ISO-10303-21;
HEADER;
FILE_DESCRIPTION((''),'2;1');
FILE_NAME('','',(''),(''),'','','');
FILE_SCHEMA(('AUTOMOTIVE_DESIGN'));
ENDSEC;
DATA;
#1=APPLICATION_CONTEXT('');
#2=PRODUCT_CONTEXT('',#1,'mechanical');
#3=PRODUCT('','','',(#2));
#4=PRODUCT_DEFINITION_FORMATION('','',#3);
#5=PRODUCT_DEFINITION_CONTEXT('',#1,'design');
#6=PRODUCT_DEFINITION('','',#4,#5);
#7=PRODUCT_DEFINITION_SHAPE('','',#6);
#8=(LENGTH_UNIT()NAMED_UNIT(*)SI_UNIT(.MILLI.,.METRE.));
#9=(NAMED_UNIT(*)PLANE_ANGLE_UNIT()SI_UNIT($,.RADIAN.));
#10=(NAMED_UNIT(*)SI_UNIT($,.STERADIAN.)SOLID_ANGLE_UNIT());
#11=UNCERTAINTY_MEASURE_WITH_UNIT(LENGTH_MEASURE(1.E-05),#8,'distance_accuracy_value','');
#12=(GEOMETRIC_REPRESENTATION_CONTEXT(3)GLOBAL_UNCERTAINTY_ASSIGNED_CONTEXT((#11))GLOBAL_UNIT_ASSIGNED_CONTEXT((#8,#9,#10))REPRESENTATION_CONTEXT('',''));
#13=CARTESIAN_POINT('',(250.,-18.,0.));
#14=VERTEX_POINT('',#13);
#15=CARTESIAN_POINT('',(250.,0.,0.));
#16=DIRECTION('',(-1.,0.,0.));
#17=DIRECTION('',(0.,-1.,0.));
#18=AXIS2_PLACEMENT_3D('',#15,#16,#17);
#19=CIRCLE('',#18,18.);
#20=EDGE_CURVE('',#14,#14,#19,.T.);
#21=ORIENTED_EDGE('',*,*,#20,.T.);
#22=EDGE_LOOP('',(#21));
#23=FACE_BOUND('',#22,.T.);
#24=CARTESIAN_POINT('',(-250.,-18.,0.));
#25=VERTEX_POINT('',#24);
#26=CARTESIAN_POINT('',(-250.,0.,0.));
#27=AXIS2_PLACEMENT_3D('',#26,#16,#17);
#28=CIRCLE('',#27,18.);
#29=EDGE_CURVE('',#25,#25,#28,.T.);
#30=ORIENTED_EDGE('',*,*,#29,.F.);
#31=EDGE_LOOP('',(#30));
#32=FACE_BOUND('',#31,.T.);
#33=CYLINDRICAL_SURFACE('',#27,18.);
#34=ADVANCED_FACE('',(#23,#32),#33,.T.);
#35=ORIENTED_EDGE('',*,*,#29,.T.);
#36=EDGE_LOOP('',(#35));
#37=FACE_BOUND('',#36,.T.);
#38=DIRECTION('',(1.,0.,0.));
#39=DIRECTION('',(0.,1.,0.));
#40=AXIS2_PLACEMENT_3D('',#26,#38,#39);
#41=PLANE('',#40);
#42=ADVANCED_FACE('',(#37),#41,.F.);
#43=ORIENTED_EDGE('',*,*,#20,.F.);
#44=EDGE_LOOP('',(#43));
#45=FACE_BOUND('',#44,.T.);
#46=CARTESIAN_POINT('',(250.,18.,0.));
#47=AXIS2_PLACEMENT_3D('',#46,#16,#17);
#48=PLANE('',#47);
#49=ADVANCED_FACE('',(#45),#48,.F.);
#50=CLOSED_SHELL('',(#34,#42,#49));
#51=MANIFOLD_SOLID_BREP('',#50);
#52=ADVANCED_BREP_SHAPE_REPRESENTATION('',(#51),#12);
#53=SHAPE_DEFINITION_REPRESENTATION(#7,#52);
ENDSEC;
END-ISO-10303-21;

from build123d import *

# Parameters (mm, degrees)
SKETCH1_W = 500
SKETCH1_H = 18


with BuildPart() as part:
    # Sketch1 → Revolve1 (revolve)
    with BuildSketch(Plane.XY, mode=Mode.PRIVATE) as revolve1_sk:
        with Locations((0, 9)):
            Rectangle(SKETCH1_W, SKETCH1_H)
    revolve(revolve1_sk.sketch.rotate(Axis((-250, 0, 0), (1, 0, 0)), 180), axis=Axis((-250, 0, 0), (1, 0, 0)))


solid = part.part
